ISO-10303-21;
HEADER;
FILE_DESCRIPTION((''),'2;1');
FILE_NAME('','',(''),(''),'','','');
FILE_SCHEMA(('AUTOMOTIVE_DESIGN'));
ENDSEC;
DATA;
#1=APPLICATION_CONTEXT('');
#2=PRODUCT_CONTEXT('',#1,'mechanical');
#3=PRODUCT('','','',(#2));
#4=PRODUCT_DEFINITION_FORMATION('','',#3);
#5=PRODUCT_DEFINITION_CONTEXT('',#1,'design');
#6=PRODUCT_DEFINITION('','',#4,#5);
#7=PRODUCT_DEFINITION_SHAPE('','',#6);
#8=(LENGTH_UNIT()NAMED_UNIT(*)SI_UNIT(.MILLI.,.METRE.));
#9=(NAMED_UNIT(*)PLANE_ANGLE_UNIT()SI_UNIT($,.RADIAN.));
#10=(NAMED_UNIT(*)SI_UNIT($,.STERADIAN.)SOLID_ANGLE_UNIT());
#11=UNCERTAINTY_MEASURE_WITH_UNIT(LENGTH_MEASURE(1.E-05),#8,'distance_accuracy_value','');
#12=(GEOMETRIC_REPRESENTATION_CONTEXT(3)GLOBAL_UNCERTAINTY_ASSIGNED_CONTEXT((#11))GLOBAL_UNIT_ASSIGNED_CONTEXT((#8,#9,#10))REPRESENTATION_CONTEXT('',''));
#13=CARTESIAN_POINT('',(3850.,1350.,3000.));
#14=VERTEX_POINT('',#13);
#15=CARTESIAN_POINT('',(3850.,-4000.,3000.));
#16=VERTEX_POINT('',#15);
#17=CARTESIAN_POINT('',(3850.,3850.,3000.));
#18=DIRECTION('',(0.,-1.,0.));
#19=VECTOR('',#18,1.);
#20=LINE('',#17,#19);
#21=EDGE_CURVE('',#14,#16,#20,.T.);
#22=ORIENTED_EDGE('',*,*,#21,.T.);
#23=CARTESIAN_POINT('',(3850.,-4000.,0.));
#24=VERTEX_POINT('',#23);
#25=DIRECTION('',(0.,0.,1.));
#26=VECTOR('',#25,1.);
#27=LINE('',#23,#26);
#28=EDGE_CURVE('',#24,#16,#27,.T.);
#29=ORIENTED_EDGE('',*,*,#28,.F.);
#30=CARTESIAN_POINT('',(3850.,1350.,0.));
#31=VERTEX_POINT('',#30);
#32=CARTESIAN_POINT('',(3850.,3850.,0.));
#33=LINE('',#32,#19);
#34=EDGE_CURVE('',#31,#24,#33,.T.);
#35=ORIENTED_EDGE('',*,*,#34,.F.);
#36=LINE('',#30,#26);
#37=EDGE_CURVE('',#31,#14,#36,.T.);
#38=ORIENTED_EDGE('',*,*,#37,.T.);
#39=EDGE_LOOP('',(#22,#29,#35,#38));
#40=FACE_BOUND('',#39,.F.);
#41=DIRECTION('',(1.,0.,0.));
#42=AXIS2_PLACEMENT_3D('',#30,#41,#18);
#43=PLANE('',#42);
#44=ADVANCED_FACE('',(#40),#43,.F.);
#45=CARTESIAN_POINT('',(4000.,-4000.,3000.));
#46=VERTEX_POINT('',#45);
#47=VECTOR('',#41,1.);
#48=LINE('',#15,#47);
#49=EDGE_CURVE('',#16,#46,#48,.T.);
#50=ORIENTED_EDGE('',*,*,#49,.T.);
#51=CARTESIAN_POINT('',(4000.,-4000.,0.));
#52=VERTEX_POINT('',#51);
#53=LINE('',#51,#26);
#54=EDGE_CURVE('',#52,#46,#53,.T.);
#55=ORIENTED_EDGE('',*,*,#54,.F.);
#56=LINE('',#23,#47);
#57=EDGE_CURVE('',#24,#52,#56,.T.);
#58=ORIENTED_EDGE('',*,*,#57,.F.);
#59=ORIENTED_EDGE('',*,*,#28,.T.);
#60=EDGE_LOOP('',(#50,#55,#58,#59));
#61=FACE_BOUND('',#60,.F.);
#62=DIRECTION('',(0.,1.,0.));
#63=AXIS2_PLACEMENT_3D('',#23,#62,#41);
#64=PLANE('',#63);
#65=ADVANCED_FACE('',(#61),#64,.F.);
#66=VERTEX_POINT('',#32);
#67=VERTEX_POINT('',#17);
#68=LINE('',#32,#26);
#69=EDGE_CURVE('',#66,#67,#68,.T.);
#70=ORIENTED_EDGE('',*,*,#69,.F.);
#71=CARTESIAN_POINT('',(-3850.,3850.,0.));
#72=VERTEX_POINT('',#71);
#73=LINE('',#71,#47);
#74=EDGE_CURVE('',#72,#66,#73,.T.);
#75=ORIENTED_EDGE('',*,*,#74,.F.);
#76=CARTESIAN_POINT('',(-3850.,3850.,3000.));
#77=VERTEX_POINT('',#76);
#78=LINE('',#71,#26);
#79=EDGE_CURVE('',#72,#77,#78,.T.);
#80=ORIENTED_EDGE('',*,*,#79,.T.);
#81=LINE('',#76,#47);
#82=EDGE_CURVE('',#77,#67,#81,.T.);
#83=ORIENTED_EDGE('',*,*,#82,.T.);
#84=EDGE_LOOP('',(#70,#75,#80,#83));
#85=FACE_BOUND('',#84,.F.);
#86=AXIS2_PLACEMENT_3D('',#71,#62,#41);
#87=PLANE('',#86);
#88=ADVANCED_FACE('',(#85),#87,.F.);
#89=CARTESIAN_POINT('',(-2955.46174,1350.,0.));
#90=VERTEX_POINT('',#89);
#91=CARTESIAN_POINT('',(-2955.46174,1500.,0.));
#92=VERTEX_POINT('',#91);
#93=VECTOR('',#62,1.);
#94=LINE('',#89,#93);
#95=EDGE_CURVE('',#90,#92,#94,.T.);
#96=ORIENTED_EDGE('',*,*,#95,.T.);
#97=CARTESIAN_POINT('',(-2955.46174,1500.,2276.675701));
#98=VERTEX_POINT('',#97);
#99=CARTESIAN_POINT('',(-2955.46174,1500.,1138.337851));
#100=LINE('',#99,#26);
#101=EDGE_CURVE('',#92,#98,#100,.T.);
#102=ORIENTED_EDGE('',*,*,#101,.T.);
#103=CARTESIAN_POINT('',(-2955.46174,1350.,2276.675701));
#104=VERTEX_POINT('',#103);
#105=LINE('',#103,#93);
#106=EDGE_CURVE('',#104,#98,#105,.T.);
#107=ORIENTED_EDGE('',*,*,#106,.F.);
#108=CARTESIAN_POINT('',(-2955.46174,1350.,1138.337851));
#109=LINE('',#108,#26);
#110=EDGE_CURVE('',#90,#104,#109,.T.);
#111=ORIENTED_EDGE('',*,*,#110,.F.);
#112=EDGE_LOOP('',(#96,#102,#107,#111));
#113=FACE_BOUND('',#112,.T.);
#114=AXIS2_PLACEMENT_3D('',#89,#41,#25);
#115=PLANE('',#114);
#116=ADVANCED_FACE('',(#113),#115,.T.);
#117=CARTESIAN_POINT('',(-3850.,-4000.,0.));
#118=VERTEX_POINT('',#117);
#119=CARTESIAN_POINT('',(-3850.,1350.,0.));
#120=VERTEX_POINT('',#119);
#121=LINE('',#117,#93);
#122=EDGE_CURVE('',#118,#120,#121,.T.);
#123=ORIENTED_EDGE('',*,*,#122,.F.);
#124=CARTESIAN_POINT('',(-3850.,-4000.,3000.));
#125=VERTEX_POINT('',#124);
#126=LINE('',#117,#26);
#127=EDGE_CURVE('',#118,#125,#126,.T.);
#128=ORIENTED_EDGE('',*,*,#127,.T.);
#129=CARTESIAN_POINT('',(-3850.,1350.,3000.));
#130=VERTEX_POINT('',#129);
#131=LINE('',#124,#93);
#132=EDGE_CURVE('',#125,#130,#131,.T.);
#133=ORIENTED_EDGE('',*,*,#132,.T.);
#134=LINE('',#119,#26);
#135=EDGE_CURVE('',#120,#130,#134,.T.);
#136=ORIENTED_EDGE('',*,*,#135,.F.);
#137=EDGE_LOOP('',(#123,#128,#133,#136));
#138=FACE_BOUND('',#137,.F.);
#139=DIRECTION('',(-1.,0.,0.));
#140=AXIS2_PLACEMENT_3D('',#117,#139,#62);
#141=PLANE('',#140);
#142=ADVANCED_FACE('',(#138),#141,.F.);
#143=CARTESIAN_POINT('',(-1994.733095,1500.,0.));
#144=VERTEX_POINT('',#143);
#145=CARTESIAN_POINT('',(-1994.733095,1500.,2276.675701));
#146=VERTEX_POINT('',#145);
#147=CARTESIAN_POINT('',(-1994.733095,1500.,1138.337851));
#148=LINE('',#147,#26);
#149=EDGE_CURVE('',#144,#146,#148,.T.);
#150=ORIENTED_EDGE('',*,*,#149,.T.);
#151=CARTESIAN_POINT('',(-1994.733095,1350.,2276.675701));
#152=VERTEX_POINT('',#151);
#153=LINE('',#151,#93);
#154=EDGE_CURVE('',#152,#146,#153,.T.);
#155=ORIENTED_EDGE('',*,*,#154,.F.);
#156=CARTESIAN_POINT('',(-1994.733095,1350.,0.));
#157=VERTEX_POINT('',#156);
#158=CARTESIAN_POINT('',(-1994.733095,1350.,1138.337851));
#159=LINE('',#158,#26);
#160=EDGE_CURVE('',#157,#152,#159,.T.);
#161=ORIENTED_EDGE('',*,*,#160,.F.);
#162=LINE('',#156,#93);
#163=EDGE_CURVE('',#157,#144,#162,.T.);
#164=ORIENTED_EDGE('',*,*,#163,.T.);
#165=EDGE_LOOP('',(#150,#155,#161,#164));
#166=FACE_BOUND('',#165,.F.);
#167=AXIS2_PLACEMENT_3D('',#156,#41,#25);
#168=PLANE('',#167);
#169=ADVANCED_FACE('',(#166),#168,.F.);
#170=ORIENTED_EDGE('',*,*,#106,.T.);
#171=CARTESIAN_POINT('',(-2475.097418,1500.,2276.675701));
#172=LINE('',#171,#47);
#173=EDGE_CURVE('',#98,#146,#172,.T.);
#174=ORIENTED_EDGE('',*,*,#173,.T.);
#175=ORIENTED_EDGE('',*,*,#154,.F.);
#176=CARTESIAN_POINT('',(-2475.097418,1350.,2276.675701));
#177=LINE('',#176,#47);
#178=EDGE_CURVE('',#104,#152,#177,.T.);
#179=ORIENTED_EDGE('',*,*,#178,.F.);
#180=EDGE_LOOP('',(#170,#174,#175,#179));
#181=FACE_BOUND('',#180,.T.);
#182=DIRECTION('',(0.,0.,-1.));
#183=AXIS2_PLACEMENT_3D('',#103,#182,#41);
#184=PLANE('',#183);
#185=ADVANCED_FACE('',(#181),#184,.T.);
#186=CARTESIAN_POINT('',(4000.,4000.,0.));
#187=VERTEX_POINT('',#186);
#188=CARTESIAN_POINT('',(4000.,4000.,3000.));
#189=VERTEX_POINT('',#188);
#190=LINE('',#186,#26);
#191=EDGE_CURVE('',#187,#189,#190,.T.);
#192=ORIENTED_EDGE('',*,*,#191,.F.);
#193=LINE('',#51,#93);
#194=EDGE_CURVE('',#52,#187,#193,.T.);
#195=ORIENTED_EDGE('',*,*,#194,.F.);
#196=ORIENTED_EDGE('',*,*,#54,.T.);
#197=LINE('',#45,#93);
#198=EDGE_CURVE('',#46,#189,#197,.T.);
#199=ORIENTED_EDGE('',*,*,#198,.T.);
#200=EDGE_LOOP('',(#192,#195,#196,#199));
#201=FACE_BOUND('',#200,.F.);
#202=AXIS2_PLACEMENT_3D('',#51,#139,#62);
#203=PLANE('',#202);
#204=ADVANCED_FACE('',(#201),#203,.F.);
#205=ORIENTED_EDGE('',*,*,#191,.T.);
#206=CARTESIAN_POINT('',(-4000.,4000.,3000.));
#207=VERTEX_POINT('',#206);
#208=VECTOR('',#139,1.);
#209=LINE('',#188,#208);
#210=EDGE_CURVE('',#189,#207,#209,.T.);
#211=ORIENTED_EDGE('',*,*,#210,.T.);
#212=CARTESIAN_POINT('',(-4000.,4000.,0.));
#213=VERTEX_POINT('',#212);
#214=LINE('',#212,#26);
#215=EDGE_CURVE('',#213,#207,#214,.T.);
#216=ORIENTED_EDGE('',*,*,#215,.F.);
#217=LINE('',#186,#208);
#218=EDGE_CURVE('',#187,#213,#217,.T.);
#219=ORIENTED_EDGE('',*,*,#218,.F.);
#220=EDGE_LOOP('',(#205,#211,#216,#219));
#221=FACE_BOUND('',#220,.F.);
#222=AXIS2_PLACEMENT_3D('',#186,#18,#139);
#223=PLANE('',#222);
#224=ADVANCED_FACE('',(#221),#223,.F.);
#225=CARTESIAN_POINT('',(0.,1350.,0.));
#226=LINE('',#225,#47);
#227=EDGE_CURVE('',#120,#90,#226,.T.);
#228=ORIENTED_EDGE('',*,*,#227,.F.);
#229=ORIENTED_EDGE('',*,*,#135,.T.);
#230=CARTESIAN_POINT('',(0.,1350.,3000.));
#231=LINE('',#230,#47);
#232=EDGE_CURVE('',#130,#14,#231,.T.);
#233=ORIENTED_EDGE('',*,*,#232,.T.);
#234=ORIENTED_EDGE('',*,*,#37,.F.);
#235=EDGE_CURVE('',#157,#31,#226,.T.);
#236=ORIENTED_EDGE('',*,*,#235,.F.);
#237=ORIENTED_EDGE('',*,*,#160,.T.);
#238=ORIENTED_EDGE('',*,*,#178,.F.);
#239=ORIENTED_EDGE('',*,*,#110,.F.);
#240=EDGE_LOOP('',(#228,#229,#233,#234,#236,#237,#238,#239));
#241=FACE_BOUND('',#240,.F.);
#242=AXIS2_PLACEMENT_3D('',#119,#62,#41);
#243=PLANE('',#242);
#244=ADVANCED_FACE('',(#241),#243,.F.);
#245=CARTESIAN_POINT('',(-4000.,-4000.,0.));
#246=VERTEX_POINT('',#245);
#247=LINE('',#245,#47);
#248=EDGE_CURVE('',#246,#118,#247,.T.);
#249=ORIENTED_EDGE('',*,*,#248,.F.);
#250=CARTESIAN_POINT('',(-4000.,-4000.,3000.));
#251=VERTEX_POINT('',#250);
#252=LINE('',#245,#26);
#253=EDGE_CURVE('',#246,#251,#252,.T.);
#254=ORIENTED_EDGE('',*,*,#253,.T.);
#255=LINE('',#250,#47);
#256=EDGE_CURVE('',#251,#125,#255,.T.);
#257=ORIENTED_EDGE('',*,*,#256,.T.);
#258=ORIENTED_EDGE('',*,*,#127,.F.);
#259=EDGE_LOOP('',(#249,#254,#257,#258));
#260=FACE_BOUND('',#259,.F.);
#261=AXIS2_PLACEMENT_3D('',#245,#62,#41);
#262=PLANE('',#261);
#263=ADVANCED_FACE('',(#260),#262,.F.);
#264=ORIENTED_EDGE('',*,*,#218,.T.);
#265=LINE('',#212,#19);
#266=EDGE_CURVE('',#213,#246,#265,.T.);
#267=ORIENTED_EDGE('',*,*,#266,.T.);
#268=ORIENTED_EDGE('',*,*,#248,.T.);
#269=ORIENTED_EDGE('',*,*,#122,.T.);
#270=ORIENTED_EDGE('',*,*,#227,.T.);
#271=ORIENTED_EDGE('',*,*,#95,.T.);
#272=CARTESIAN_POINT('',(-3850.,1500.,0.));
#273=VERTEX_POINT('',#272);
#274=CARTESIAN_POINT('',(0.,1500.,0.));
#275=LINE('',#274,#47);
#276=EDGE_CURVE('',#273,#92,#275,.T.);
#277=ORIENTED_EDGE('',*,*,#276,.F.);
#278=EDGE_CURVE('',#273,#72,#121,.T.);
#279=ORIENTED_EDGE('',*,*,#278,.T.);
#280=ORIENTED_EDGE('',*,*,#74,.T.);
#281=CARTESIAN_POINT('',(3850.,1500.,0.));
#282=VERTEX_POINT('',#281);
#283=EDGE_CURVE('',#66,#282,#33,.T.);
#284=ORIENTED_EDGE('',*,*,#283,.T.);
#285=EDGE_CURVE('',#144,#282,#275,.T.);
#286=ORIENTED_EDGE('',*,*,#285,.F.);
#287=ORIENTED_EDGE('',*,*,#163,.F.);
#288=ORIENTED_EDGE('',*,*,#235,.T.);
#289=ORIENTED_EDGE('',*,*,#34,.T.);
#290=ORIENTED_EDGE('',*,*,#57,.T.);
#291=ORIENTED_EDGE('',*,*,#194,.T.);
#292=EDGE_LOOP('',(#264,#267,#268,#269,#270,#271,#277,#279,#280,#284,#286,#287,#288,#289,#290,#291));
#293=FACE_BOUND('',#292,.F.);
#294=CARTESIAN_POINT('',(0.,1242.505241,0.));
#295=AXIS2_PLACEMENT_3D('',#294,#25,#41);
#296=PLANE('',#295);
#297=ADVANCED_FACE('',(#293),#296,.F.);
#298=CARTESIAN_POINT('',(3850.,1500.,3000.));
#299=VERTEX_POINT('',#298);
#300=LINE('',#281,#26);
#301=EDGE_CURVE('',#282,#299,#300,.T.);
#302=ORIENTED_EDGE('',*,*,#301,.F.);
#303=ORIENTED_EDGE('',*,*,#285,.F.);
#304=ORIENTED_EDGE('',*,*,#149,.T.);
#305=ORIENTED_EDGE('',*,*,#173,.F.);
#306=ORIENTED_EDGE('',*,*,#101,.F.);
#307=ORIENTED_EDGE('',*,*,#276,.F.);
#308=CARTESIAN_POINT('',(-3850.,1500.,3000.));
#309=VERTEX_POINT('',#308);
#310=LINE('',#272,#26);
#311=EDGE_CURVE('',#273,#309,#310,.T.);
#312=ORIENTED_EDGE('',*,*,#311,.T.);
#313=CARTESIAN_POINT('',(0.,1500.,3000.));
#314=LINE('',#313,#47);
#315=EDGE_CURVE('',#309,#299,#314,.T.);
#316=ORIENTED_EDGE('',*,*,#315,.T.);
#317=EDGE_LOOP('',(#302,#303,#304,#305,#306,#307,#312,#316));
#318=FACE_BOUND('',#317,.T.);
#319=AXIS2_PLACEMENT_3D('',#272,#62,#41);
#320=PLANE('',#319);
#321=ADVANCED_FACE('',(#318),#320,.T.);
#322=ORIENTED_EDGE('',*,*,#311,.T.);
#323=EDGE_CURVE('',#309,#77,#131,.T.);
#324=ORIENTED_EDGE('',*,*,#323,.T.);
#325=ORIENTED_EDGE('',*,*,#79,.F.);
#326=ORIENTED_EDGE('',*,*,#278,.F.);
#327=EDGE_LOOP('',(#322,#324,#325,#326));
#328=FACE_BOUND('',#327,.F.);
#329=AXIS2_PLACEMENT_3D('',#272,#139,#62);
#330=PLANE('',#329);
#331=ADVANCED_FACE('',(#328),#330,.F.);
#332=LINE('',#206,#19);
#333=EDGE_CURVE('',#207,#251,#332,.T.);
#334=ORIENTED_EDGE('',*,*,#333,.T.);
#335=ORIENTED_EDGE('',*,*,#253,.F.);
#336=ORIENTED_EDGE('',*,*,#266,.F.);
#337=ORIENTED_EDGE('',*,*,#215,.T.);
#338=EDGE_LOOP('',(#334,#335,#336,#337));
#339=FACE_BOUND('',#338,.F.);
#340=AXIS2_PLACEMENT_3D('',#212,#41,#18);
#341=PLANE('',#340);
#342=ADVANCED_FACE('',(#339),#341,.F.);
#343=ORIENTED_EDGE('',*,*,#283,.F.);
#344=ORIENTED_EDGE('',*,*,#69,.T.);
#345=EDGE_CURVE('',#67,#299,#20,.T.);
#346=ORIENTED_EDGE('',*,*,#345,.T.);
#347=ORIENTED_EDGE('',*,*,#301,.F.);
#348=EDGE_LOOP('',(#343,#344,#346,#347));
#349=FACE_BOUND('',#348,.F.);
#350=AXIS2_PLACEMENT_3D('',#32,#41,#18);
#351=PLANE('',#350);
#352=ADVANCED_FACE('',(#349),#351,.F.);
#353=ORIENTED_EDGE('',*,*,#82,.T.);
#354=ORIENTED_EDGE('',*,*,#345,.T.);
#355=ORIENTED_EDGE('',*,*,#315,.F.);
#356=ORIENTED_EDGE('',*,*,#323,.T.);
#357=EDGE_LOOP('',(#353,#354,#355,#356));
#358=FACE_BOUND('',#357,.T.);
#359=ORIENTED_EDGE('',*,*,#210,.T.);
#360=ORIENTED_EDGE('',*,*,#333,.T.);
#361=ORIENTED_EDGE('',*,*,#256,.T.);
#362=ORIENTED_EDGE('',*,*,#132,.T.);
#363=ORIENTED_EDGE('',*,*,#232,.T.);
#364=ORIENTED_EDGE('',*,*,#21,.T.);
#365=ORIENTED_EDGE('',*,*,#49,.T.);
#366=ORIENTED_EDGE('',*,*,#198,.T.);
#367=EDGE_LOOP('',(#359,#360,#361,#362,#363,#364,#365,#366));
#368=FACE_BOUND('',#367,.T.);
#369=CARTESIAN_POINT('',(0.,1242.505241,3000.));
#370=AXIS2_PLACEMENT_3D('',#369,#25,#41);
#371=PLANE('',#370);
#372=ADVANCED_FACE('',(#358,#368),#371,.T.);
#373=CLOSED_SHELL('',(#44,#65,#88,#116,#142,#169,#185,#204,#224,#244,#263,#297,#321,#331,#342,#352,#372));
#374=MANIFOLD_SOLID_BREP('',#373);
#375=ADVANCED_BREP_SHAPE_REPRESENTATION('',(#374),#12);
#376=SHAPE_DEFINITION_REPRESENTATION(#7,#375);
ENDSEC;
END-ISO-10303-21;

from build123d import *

# Parameters (mm, degrees)
F0_W     = 7700
F0_H     = 150
F1_DEPTH = 3000
F2_W     = 960.7286453247
F2_H     = 2276.6757011414
F3_DEPTH = 150


with BuildPart() as f1:
    # F0 (on Top) → F1 (new body)
    with BuildSketch(Plane.XY):
        Polygon((4000, -4000), (4000, 4000), (-4000, 4000), (-4000, -4000), (-3850, -4000), (-3850, 1350), (-3850, 1500), (-3850, 3850), (3850, 3850), (3850, 1500), (3850, 1350), (3850, -4000), align=None)
        with Locations((0, 1425)):
            Rectangle(F0_W, F0_H)
    extrude(amount=F1_DEPTH)

    # F2 (on face) → F3 (cut, through all)
    with BuildSketch(Plane.XZ.offset(-1350)):
        with Locations((-2475.0974178314, 1138.3378505707)):
            Rectangle(F2_W, F2_H)
    extrude(amount=-F3_DEPTH, mode=Mode.SUBTRACT)


solid = f1.part
